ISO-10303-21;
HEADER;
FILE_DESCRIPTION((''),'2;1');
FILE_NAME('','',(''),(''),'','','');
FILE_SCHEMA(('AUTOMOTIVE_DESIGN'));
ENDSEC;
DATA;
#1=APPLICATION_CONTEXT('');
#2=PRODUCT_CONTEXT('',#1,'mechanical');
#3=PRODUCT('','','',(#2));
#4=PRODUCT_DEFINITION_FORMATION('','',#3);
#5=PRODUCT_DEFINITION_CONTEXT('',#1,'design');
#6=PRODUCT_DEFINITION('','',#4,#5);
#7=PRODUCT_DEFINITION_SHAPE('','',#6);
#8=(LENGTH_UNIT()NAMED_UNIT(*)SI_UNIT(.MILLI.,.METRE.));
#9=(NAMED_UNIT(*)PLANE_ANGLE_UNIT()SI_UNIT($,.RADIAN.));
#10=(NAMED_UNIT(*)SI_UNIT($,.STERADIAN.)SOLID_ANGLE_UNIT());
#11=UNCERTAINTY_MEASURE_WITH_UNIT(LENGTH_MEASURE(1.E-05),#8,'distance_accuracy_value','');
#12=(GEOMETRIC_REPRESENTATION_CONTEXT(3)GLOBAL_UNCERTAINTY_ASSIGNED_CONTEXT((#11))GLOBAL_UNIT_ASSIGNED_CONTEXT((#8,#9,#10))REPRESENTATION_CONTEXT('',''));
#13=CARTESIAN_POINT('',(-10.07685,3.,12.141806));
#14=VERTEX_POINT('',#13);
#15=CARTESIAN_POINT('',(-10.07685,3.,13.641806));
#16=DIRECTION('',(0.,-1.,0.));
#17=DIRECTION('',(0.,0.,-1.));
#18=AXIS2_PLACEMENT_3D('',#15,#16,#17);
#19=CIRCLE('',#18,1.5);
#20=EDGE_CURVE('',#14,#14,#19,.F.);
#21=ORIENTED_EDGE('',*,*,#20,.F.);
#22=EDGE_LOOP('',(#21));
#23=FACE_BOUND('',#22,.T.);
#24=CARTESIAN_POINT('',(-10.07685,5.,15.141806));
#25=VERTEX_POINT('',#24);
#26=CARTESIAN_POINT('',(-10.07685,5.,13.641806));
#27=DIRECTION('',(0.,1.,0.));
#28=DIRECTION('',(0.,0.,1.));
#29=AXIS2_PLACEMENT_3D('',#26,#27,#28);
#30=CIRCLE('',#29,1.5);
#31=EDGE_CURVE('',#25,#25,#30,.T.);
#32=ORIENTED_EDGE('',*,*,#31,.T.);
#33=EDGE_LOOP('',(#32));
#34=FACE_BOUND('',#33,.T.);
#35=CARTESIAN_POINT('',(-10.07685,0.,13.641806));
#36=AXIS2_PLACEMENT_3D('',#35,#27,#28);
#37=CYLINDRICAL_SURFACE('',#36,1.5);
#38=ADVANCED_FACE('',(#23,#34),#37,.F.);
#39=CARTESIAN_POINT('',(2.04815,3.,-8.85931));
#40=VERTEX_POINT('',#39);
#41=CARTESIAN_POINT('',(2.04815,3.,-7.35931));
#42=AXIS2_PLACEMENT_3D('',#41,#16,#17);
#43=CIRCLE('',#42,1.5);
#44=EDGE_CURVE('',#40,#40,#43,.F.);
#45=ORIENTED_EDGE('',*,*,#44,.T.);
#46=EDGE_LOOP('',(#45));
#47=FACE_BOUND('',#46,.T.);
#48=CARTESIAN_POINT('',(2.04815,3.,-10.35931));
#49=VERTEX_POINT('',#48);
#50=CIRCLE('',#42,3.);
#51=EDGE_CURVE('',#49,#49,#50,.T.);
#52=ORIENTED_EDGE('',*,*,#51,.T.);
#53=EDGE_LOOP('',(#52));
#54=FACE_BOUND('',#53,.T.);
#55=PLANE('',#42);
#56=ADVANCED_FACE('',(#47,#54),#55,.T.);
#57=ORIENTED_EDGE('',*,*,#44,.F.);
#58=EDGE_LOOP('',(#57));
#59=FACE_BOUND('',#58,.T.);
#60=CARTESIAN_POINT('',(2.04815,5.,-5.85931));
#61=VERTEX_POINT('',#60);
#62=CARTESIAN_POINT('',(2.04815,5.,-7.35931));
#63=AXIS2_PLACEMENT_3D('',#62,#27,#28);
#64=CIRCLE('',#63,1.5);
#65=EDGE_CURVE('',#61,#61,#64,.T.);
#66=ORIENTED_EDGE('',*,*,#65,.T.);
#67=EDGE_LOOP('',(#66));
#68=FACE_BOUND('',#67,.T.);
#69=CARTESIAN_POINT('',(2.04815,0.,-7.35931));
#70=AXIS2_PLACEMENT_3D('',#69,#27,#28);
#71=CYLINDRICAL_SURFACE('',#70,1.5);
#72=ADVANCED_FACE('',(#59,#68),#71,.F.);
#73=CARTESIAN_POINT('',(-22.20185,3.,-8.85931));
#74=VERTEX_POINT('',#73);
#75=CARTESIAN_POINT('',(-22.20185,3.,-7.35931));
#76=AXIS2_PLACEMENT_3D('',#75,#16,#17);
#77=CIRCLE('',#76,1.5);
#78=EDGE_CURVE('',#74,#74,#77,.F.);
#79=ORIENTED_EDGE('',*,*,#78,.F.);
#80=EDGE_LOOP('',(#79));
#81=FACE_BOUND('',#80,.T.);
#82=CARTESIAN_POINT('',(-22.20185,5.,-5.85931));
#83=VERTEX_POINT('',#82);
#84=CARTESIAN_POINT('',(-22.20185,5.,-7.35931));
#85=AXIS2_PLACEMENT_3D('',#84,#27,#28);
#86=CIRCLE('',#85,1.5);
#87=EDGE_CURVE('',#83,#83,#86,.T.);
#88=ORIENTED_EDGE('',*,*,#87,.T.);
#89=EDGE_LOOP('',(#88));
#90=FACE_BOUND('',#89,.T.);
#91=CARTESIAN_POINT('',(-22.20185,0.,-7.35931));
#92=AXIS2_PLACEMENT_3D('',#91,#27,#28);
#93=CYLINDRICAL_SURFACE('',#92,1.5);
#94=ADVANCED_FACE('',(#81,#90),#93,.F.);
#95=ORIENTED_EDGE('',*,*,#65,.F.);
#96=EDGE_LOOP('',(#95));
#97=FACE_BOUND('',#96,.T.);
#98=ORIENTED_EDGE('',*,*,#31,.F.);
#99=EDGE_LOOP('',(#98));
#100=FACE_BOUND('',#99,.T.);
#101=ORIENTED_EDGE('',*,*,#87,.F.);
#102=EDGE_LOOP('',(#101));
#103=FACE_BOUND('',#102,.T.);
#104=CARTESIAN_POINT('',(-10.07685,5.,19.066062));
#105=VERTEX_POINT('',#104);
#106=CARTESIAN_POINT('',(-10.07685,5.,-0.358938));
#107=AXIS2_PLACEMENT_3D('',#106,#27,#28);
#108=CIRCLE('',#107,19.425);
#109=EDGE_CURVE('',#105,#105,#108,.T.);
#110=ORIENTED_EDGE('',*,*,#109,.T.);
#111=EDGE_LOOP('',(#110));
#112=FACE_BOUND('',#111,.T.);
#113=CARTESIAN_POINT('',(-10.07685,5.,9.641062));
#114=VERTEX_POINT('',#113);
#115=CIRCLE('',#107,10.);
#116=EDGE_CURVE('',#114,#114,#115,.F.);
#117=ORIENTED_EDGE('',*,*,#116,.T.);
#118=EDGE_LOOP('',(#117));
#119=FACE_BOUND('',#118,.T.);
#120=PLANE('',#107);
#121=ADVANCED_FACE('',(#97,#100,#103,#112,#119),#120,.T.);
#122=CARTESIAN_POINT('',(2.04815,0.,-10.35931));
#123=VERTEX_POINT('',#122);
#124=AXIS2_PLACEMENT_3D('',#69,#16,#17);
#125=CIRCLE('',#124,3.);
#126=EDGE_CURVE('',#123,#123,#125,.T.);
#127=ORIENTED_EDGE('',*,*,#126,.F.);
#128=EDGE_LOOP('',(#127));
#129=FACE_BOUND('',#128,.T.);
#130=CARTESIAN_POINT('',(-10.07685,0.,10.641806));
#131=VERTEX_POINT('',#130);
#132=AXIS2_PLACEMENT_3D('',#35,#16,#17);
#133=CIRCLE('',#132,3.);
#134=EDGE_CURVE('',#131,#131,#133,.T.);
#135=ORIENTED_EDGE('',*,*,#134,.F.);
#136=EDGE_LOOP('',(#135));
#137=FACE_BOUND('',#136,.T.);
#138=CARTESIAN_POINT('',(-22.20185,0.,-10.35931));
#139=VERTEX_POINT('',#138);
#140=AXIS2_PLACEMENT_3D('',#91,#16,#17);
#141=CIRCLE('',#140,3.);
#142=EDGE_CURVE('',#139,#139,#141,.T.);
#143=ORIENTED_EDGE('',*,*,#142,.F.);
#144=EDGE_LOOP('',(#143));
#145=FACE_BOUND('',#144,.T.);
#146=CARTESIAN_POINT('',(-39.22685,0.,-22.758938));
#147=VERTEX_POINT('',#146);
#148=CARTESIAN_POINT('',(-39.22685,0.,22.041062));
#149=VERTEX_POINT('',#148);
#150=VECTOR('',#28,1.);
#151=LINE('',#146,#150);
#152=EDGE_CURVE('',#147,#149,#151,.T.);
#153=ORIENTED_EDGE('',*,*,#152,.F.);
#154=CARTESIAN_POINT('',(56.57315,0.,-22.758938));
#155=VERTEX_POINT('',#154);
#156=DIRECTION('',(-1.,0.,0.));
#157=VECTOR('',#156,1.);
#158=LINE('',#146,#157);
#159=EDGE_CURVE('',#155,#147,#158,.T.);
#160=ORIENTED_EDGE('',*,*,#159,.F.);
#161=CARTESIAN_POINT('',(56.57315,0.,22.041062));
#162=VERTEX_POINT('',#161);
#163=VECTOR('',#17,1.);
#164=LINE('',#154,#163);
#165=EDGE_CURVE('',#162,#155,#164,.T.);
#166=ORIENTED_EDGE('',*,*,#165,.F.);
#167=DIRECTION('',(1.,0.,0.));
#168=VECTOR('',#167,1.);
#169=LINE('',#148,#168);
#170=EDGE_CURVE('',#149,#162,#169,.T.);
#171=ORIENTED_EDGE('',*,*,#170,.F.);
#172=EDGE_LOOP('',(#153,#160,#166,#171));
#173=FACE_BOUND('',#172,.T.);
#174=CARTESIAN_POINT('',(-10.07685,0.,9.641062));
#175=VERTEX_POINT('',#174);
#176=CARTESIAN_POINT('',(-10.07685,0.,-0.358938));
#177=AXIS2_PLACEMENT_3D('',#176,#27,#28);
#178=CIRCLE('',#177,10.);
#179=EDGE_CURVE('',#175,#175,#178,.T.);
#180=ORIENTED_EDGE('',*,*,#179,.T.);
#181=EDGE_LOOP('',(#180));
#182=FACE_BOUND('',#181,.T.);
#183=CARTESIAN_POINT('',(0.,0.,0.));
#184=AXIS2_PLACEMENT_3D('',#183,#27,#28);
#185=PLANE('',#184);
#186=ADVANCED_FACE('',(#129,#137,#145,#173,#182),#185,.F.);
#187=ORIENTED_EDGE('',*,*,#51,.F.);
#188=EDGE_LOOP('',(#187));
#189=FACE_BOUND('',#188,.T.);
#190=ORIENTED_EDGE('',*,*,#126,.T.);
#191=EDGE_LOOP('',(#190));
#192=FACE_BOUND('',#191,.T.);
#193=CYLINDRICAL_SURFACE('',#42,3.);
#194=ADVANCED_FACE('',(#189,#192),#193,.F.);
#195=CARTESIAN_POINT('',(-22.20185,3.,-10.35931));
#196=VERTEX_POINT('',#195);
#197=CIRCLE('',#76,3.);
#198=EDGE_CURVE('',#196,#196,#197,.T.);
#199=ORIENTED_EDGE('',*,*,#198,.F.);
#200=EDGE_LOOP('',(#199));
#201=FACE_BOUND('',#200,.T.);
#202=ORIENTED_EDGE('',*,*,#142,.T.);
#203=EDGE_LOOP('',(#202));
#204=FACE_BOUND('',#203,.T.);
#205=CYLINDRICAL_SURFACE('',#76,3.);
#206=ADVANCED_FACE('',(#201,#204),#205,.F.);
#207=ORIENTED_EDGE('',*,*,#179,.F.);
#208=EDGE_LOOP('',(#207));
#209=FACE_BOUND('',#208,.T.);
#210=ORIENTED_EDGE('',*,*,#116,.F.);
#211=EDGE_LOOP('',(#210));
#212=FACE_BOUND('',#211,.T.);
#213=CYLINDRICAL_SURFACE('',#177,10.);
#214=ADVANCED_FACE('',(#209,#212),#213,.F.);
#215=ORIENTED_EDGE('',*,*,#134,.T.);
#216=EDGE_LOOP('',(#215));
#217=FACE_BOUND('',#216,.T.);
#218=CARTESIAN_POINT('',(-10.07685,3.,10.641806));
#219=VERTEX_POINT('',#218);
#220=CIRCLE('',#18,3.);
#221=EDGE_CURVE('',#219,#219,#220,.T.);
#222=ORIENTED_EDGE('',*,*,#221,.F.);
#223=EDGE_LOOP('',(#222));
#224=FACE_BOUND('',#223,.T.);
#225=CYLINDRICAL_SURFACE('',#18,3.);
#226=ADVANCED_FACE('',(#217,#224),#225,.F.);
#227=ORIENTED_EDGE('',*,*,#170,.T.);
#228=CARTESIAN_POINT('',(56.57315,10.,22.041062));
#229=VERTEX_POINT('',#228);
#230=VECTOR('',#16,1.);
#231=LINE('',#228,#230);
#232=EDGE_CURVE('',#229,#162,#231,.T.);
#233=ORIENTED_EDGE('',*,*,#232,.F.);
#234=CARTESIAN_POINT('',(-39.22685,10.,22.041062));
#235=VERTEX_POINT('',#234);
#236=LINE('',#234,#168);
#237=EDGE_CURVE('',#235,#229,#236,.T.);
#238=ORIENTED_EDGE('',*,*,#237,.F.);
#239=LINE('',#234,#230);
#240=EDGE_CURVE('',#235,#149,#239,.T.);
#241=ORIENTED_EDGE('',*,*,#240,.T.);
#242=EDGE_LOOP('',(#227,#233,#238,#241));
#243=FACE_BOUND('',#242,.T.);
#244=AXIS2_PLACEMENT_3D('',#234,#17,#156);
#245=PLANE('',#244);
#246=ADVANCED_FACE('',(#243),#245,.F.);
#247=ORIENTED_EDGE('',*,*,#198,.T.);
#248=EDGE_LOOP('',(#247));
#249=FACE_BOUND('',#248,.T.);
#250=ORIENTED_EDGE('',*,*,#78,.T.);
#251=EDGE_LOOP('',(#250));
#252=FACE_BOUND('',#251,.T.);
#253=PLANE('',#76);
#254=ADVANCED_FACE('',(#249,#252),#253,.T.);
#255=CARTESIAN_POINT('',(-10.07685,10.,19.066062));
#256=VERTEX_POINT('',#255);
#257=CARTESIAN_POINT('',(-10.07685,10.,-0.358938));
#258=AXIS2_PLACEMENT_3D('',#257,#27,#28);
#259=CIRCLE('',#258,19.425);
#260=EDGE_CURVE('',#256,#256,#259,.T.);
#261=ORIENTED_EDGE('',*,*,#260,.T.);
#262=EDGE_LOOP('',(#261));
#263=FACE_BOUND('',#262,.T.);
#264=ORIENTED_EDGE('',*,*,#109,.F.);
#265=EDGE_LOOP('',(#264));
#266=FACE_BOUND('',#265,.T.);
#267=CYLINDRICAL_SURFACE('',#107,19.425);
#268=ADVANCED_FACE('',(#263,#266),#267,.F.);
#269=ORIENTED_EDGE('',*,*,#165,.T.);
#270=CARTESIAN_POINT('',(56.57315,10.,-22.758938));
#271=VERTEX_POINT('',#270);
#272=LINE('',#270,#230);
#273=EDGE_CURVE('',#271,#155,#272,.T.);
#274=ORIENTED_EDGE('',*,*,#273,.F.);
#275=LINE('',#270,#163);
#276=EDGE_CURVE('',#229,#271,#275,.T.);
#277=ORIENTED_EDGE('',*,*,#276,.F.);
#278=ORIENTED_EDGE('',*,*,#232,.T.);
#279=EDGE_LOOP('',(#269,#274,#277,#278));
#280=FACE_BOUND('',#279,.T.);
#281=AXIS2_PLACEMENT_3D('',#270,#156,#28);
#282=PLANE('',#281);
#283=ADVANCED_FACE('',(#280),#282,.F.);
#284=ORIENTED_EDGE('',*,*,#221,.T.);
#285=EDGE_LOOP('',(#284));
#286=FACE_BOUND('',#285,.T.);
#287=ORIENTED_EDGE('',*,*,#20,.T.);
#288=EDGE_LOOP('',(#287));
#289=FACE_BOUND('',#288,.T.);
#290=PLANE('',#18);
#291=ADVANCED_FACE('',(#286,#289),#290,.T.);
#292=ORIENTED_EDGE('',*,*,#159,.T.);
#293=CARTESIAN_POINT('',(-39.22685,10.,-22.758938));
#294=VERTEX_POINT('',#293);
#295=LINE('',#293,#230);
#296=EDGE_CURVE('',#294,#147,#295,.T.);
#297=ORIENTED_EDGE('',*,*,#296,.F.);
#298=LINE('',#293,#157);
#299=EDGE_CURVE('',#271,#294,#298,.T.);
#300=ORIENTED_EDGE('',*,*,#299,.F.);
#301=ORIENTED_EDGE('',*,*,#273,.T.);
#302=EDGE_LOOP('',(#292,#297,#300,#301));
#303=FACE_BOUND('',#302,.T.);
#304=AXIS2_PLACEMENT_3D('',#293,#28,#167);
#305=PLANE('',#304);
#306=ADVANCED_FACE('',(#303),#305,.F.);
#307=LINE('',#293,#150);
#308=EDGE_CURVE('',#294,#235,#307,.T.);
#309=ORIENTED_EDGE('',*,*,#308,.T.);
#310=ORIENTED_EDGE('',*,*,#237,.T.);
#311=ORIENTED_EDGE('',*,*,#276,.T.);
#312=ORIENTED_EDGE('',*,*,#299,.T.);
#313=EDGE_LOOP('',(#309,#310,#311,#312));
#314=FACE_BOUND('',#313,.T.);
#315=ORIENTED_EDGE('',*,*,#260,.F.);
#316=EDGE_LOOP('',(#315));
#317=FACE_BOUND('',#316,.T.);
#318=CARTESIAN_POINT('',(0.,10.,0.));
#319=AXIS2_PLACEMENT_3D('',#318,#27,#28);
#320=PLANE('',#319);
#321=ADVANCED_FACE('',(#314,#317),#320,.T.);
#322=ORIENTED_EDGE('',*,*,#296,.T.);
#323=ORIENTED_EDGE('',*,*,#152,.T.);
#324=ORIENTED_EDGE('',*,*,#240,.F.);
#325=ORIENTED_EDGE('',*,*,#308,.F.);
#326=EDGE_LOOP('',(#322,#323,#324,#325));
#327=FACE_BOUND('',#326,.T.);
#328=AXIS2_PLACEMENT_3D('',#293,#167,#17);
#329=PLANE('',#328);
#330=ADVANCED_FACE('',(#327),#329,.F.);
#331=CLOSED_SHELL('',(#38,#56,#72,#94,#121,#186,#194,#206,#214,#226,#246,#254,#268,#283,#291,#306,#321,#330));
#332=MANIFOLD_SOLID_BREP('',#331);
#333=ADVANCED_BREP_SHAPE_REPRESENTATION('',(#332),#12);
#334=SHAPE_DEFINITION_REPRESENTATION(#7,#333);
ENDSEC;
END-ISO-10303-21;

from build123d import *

# Parameters (mm, degrees)
ENCODERSIDEWALLSKETCH_W    = 95.8
ENCODERSIDEWALLSKETCH_H    = 44.8
BOSS_EXTRUDE1_DEPTH        = 10
SKETCH2_R                  = 10
ENCODERAXLECUT_DEPTH       = 10
ENCODERFULLHOLE_R          = 19.425
ENCODERFULLHOLEBORE_DEPTH  = 5
ENCODERSCREWLAYOUTSKETCH_R = 1.5
ENCODERSCREWLAYOUT_DEPTH   = 62.184071257
SKETCH6_R                  = 3
CUT_EXTRUDE4_DEPTH         = 3


with BuildPart() as part:
    # EncoderSideWallSketch → Boss-Extrude1 (new body)
    with BuildSketch(Plane(origin=(0, 0, 0), x_dir=(1, 0, 0), z_dir=(0, 1, 0))):
        with Locations((8.673150268, 0.358937681)):
            Rectangle(ENCODERSIDEWALLSKETCH_W, ENCODERSIDEWALLSKETCH_H)
    extrude(amount=BOSS_EXTRUDE1_DEPTH)

    # Sketch2 → EncoderAxleCut (cut)
    with BuildSketch(Plane(origin=(0, 10, 0), x_dir=(1, 0, 0), z_dir=(0, 1, 0))):
        with Locations(Location((-10.076849732, 0.358937681, 0), (0, 0, 270))):
            Circle(SKETCH2_R)
    extrude(amount=-ENCODERAXLECUT_DEPTH, mode=Mode.SUBTRACT)

    # EncoderFullHole → EncoderFullHoleBore (cut)
    with BuildSketch(Plane(origin=(0, 10, 0), x_dir=(1, 0, 0), z_dir=(0, 1, 0))):
        with Locations(Location((-10.076849732, 0.358937681, 0), (0, 0, 270))):
            Circle(ENCODERFULLHOLE_R)
    extrude(amount=-ENCODERFULLHOLEBORE_DEPTH, mode=Mode.SUBTRACT)

    # EncoderScrewLayoutSketch → EncoderScrewLayout (cut, through all)
    with BuildSketch(Plane(origin=(0, 5, 0), x_dir=(1, 0, 0), z_dir=(0, 1, 0))):
        with Locations(Location((-22.201849732, 7.359309695, 0), (0, 0, 270))):
            Circle(ENCODERSCREWLAYOUTSKETCH_R)
        with Locations(Location((2.048150268, 7.359309695, 0), (0, 0, 270))):
            Circle(ENCODERSCREWLAYOUTSKETCH_R)
        with Locations(Location((-10.076849732, -13.641806347, 0), (0, 0, 270))):
            Circle(ENCODERSCREWLAYOUTSKETCH_R)
    extrude(amount=-ENCODERSCREWLAYOUT_DEPTH, mode=Mode.SUBTRACT)

    # Sketch6 → Cut-Extrude4 (cut)
    with BuildSketch(Plane.XZ):
        with Locations(Location((-10.076849732, 13.641806347, 0), (0, 0, 270))):
            Circle(SKETCH6_R)
        with Locations(Location((-22.201849732, -7.359309695, 0), (0, 0, 270))):
            Circle(SKETCH6_R)
        with Locations(Location((2.048150268, -7.359309695, 0), (0, 0, 270))):
            Circle(SKETCH6_R)
    extrude(amount=-CUT_EXTRUDE4_DEPTH, mode=Mode.SUBTRACT)


solid = part.part
